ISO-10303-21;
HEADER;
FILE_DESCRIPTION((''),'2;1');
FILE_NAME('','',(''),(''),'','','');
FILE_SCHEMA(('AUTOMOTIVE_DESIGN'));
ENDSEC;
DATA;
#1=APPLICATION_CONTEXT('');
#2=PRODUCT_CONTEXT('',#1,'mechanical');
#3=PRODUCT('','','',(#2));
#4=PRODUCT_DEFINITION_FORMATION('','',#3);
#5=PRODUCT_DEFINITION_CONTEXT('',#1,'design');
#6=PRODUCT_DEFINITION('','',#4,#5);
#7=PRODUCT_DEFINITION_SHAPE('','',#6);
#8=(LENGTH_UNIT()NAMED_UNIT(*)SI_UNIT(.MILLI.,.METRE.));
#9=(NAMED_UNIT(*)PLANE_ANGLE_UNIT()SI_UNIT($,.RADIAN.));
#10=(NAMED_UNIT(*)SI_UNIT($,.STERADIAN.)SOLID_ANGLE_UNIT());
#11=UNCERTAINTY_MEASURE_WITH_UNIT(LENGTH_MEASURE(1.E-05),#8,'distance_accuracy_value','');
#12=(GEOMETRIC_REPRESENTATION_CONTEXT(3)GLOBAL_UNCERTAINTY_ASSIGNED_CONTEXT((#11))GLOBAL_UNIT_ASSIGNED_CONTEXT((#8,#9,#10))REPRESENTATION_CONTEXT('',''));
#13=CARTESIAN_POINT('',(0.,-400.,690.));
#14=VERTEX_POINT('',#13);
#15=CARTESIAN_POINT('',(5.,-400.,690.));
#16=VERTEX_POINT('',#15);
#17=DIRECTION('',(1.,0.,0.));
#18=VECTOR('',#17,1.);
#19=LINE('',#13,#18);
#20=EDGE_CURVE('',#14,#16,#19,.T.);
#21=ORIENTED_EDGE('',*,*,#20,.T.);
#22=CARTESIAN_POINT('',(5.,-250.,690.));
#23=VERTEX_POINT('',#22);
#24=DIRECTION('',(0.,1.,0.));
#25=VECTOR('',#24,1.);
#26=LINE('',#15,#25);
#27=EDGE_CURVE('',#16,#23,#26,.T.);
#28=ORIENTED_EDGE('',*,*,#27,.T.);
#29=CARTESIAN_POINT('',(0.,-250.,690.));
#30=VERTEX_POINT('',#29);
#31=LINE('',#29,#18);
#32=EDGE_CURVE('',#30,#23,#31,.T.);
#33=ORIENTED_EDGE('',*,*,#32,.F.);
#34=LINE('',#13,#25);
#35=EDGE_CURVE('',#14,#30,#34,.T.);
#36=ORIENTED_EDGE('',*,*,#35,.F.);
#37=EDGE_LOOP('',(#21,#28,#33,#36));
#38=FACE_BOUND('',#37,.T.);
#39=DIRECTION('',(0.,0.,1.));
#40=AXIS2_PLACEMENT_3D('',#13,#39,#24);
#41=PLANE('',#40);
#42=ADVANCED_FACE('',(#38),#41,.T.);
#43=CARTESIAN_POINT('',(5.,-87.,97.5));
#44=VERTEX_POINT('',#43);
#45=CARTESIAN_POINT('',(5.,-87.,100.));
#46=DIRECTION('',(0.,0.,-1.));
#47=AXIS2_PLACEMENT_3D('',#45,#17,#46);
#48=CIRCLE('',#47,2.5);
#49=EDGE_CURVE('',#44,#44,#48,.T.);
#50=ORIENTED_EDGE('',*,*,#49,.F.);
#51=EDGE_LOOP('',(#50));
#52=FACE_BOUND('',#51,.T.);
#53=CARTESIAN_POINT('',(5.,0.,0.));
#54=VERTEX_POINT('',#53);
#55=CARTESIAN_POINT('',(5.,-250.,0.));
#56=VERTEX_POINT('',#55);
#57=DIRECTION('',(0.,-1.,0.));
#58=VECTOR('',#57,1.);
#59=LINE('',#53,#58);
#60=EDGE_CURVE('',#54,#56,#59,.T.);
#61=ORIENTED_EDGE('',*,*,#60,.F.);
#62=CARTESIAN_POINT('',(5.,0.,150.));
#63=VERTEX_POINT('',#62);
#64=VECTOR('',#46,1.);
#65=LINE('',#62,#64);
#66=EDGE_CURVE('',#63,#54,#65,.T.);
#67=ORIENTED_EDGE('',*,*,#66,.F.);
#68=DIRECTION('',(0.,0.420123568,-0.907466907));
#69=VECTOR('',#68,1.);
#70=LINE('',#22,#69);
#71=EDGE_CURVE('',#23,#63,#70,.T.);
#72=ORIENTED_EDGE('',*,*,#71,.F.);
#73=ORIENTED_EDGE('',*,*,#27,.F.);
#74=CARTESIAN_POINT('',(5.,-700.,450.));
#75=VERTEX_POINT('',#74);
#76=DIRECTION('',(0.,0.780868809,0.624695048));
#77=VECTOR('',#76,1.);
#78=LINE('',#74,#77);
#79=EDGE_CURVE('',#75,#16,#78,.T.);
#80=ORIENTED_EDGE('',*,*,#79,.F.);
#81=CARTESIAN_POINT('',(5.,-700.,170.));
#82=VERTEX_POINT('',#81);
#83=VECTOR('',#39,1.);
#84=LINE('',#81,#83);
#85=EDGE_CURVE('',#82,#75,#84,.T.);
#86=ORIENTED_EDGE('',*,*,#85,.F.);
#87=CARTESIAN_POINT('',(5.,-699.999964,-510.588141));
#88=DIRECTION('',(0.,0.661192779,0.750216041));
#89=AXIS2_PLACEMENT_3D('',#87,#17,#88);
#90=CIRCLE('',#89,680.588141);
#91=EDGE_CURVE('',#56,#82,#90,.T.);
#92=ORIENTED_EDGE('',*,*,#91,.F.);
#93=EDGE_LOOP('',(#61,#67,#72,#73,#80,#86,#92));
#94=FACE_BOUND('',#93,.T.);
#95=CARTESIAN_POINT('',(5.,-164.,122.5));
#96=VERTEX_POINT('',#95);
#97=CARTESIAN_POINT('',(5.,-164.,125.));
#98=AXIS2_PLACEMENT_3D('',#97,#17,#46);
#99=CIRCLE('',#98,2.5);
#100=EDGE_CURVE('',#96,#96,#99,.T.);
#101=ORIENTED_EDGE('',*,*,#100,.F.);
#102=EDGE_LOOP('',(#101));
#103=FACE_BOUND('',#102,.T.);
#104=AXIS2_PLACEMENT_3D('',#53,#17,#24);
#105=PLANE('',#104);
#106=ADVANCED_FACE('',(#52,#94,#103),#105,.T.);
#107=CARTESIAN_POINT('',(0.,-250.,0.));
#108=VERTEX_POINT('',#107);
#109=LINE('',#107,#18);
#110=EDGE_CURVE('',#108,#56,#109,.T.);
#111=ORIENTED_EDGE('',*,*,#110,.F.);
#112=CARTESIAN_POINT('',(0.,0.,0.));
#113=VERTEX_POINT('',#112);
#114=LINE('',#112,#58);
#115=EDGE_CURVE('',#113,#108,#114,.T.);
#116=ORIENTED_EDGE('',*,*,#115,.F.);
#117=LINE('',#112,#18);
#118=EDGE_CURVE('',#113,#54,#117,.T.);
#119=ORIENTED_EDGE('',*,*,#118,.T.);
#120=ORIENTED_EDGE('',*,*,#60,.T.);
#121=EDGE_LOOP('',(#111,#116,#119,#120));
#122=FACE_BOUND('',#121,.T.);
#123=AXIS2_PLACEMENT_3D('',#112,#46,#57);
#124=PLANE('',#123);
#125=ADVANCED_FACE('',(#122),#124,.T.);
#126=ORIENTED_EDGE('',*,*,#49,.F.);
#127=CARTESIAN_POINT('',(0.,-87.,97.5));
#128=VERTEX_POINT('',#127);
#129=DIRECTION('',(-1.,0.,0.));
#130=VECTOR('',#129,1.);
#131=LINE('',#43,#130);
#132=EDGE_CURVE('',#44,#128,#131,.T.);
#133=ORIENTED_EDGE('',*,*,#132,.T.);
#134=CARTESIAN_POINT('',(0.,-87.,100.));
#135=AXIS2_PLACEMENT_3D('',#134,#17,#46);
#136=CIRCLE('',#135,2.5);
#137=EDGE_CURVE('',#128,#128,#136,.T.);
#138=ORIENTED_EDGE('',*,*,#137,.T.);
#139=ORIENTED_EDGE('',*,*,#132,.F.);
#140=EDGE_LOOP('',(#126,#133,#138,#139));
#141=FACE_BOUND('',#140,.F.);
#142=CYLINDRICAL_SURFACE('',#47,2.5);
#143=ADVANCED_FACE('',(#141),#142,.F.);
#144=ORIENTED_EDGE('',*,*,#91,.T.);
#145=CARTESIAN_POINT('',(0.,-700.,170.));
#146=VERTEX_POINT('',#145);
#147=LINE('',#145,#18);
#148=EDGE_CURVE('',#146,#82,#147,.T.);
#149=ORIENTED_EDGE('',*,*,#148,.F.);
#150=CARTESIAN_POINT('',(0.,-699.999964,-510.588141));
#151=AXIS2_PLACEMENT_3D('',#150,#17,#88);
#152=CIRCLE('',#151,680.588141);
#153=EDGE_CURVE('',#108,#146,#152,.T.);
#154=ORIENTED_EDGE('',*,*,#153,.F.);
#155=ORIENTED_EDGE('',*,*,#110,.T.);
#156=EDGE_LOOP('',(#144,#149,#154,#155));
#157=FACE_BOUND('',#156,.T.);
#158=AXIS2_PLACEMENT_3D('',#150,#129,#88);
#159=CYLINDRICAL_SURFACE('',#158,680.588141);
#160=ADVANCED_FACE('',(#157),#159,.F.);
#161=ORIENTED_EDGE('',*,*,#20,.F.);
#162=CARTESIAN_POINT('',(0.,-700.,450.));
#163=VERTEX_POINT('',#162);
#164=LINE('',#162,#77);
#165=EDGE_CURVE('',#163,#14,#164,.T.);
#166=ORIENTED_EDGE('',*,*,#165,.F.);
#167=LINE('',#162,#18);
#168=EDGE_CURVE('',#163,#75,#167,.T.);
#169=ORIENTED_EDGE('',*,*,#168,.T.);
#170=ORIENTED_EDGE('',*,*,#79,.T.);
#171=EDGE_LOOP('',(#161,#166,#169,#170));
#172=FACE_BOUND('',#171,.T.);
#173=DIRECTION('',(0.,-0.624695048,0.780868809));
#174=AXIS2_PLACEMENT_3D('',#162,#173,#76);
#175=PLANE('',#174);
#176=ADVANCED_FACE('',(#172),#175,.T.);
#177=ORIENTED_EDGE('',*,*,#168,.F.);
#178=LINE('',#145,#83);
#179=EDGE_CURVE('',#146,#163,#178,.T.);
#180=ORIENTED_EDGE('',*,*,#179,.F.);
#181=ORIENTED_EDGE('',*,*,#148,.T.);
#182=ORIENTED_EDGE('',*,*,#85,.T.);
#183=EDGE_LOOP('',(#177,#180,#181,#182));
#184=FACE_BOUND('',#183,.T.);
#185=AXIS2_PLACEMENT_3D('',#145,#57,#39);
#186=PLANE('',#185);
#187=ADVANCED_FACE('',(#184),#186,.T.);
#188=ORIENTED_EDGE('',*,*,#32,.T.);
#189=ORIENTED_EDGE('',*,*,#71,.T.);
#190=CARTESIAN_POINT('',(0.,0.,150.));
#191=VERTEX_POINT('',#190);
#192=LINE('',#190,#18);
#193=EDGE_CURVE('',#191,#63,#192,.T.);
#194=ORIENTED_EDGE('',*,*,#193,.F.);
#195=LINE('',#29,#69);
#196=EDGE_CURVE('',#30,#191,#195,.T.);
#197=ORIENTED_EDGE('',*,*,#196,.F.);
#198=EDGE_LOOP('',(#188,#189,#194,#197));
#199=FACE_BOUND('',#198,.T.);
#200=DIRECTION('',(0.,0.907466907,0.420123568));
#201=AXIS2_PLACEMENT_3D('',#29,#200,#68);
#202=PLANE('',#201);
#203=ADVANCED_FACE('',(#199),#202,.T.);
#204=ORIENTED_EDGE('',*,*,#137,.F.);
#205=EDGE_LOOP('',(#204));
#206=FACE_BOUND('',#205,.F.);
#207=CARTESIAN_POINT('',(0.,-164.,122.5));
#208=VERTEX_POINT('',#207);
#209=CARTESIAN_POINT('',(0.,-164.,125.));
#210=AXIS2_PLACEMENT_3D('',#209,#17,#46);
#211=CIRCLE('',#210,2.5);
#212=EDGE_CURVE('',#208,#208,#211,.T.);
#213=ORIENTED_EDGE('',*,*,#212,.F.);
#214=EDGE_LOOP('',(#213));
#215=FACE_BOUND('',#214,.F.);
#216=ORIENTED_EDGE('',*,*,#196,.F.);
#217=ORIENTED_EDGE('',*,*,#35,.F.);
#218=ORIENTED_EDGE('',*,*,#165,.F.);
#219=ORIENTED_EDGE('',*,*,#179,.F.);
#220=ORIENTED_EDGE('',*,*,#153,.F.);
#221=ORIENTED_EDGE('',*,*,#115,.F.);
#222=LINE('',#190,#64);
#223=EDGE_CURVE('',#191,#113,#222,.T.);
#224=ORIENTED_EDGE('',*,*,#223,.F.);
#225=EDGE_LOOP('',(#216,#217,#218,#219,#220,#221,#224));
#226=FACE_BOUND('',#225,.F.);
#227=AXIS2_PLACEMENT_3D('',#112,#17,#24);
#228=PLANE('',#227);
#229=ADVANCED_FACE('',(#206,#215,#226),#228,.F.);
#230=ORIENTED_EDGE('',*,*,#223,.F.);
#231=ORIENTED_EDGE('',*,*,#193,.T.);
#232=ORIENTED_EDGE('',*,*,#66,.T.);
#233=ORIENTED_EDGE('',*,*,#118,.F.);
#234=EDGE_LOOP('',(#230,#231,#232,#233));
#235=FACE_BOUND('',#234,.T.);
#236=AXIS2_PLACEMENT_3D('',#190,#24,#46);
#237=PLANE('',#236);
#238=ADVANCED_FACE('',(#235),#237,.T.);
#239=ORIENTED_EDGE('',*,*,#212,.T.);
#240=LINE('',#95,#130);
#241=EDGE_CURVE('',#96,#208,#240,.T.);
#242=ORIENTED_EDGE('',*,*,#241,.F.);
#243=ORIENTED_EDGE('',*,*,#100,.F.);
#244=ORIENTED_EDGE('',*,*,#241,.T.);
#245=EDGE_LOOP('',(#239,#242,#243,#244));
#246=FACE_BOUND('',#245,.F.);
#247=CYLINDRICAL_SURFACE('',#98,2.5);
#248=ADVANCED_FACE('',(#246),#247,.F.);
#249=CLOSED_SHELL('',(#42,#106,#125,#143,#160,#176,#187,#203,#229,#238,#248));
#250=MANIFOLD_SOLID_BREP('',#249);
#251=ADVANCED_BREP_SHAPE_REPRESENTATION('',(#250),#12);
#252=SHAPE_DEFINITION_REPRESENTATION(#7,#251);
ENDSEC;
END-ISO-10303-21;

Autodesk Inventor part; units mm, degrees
ref_plane "YZ Plane" through (0, 0, 0) normal (1, 0, 0) x (0, 1, 0)
ref_plane "XZ Plane" through (0, 0, 0) normal (0, 1, 0) x (-1, 0, 0)
ref_plane "XY Plane" through (0, 0, 0) normal (0, 0, 1) x (1, 0, 0)
sketch "スケッチ1" plane through (0, 0, 0) normal (1, 0, 0) x (0, 1, 0)
  line L0 (-700, 170) -> (-700, 450)
  line L1 (-700, 450) -> (-400, 690)
  line L2 (-400, 690) -> (-250, 690)
  line L3 (-250, 690) -> (0, 150)
  line L4 (0, 150) -> (0, 0)
  line L5 (0, 0) -> (-250, 0)
  arc A0 (-250, 0) -> (-700, 170) centre (-700, -510.5882) ccw
  dimension "d0" = 690
  dimension "d1" = 280
  dimension "d2" = 240
  dimension "d3" = 300
  dimension "d4" = 150
  dimension "d5" = 700
  dimension "d6" = 250
  dimension "d7" = 150
extrude "押し出し1" add sketch "スケッチ1" along normal blind 5
sketch "スケッチ2" plane through (5, 0, 0) normal (1, 0, 0) x (0, 0, -1)
  circle A0 centre (-100, -87) radius 2.5
  line L0 (0, 0) -> (-150, 0) projected
  line L1 (0, -250) -> (0, 0) projected
  circle A1 centre (-125, -164) radius 2.5
  dimension "d10" = 87
  dimension "d11" = 100
  dimension "d12" = 5
  dimension "d13" = 164
  dimension "d14" = 125
  dimension "d15" = 5
extrude "押し出し2" cut sketch "スケッチ2" against normal through all
properties part number "end_plate" material "CFRP"
